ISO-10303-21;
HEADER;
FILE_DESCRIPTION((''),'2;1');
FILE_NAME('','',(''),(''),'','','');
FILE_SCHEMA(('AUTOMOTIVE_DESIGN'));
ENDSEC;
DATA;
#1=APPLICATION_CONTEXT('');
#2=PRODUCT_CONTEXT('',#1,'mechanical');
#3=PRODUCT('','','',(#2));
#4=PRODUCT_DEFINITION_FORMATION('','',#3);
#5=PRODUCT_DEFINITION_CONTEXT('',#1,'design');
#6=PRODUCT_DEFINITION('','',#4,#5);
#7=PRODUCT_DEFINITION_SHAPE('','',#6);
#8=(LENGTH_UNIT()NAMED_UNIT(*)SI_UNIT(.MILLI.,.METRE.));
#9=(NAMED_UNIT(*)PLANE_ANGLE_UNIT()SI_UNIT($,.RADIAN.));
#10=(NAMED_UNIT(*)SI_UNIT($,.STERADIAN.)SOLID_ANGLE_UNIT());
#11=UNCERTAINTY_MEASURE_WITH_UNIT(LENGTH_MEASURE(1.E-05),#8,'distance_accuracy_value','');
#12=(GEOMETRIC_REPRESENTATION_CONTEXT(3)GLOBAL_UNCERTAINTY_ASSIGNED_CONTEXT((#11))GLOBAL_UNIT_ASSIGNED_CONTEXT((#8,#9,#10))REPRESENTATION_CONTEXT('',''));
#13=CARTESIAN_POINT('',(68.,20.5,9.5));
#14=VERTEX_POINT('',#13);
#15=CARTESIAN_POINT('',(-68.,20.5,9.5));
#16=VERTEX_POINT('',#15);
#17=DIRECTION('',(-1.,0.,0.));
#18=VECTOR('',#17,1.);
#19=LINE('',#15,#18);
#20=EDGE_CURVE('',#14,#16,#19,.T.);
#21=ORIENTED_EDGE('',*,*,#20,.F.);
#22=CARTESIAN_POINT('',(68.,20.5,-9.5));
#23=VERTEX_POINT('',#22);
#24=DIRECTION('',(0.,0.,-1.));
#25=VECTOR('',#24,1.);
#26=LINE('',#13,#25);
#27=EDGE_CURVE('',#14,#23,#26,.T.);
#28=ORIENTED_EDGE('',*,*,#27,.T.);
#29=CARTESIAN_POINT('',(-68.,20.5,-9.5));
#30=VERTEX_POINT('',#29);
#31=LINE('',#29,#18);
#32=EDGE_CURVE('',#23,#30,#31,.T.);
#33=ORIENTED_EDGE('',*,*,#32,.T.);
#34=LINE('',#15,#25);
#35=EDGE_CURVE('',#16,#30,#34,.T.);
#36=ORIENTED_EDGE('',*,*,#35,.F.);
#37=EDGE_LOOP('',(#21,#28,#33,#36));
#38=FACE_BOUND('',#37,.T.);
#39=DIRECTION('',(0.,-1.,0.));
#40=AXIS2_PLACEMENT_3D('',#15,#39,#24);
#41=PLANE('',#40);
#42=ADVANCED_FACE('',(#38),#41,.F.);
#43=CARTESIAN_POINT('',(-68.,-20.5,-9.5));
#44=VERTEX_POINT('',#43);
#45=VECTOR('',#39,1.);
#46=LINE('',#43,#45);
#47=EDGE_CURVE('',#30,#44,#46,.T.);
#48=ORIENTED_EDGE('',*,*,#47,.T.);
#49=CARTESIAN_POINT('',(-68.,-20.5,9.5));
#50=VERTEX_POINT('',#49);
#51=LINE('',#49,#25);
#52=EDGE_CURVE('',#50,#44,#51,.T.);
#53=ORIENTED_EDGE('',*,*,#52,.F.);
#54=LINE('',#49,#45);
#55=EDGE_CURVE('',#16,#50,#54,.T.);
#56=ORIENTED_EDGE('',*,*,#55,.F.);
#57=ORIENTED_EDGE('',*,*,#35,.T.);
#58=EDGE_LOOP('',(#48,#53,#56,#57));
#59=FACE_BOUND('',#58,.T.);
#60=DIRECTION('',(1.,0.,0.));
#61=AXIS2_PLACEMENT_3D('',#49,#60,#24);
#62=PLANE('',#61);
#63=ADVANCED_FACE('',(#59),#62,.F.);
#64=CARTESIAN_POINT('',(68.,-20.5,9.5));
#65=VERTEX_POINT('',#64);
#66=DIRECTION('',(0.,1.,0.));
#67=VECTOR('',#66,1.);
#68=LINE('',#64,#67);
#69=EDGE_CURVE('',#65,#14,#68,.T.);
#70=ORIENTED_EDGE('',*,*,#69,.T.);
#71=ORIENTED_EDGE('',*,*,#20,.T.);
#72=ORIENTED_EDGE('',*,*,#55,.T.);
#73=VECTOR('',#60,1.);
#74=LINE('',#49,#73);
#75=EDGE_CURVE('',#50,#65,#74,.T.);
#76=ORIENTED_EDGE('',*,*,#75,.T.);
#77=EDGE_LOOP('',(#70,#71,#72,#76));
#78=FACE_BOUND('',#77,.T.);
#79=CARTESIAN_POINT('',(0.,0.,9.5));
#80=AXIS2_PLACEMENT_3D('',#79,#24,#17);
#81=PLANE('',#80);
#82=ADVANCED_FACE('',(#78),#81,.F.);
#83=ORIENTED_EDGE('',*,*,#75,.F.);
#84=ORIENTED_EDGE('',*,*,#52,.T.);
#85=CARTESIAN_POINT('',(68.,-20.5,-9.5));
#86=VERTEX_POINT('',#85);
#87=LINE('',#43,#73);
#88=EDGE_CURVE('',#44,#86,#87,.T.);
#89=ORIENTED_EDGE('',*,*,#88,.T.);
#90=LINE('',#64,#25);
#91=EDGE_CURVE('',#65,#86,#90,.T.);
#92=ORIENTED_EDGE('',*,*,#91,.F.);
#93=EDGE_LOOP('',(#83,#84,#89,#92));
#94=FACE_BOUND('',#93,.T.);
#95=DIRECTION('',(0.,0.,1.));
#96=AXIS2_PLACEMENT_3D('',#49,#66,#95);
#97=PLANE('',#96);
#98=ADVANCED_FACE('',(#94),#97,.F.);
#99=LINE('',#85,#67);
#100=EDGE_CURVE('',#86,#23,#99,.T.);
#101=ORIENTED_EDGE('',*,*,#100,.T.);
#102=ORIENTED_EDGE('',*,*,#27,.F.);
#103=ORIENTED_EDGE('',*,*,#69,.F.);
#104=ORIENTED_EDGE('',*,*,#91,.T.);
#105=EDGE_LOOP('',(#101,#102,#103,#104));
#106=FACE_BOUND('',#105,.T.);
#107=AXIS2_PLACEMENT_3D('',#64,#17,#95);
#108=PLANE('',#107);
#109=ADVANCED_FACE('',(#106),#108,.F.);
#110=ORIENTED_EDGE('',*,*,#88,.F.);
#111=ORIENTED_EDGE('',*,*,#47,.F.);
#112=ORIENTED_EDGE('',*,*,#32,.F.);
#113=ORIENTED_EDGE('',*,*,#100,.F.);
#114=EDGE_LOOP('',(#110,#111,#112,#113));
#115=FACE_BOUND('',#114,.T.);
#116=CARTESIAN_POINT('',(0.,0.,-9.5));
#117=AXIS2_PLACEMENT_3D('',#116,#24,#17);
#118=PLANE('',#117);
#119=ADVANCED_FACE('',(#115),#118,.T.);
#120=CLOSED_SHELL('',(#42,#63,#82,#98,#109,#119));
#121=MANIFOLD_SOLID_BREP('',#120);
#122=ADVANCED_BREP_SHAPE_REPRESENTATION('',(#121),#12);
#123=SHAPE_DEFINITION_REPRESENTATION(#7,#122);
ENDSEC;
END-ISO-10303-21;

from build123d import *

# Parameters (mm, degrees)
SKETCH_1_W      = 136
SKETCH_1_H      = 41
EXTRUDE_1_DEPTH = 9.5


with BuildPart() as part:
    # Эскиз1 → Бобышка-Вытянуть1 (new body, symmetric)
    with BuildSketch(Plane.XY):
        Rectangle(SKETCH_1_W, SKETCH_1_H)
    extrude(amount=EXTRUDE_1_DEPTH, both=True)


solid = part.part
